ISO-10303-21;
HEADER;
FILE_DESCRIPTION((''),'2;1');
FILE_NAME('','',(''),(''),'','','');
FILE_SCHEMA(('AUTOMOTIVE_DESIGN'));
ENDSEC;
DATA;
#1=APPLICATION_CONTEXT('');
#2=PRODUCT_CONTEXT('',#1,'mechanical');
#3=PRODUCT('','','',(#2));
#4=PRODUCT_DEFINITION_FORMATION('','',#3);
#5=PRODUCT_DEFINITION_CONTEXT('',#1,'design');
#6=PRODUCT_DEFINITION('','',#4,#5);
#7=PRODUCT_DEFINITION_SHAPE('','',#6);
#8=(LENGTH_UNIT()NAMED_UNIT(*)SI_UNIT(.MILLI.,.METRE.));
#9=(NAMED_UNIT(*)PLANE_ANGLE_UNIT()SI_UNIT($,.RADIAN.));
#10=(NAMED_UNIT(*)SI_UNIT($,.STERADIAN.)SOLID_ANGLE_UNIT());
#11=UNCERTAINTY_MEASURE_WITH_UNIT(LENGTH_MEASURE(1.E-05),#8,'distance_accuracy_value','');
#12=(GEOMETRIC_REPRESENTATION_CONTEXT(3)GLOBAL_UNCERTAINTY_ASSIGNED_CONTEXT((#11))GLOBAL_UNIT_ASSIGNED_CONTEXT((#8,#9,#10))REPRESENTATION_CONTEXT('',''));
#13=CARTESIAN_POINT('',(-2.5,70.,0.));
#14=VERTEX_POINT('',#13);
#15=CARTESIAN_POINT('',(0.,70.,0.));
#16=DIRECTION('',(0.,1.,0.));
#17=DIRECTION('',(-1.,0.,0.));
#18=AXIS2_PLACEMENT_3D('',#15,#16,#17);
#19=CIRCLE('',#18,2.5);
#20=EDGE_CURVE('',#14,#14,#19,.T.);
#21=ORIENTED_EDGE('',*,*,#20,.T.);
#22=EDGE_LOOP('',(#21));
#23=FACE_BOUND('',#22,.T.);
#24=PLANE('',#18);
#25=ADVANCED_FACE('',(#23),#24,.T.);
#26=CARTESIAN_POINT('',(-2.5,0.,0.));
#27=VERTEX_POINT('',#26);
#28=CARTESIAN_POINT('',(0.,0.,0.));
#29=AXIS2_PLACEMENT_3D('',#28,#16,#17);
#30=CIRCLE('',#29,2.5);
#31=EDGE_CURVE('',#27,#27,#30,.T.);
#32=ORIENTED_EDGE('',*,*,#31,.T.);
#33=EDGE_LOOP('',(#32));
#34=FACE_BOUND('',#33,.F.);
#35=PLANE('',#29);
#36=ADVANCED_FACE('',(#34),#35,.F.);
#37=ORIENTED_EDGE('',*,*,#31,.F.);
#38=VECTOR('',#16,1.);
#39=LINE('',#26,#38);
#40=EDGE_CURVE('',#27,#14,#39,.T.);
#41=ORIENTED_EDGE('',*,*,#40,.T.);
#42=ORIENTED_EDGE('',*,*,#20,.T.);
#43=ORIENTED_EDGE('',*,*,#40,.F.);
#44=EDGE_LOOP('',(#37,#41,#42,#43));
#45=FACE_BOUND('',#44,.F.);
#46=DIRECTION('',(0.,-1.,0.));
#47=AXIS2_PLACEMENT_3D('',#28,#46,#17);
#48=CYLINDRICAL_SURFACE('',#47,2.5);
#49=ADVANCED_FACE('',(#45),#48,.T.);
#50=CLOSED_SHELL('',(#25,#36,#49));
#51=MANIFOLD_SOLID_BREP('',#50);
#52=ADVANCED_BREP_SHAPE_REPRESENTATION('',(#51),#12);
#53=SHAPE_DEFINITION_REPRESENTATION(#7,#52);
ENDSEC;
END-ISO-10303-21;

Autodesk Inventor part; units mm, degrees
ref_plane "YZ Plane" through (0, 0, 0) normal (1, 0, 0) x (0, 1, 0)
ref_plane "XZ Plane" through (0, 0, 0) normal (0, 1, 0) x (-1, 0, 0)
ref_plane "XY Plane" through (0, 0, 0) normal (0, 0, 1) x (1, 0, 0)
sketch "Szkic1" plane through (0, 0, 0) normal (0, 1, 0) x (-1, 0, 0)
  circle A0 centre (0, 0) radius 4.25
  line L0 (1.1547, 2) -> (2.3094, 0)
  line L1 (2.3094, 0) -> (1.1547, -2)
  line L2 (1.1547, -2) -> (-1.1547, -2)
  line L3 (-1.1547, -2) -> (-2.3094, 0)
  line L4 (-2.3094, 0) -> (-1.1547, 2)
  line L5 (-1.1547, 2) -> (1.1547, 2)
  circle A1 centre (0, 0) radius 2.5
  dimension "d0" = 8.5
  dimension "d1" = 4
  dimension "d2" = 5
extrude "Wyciągnięcie proste4" add sketch "Szkic1" along normal blind 70 contours L0 L1 L2 L3 L4 L5 | A1
thread "Gwint2" size "M5x0.8" class "6g" standard "ANSI Metric M Profile" length 20
thread "Gwint3" size "M5x0.8" class "6g" standard "ANSI Metric M Profile" length 20
properties part number "M5_70_shaft" material "Aluminum 6061"
